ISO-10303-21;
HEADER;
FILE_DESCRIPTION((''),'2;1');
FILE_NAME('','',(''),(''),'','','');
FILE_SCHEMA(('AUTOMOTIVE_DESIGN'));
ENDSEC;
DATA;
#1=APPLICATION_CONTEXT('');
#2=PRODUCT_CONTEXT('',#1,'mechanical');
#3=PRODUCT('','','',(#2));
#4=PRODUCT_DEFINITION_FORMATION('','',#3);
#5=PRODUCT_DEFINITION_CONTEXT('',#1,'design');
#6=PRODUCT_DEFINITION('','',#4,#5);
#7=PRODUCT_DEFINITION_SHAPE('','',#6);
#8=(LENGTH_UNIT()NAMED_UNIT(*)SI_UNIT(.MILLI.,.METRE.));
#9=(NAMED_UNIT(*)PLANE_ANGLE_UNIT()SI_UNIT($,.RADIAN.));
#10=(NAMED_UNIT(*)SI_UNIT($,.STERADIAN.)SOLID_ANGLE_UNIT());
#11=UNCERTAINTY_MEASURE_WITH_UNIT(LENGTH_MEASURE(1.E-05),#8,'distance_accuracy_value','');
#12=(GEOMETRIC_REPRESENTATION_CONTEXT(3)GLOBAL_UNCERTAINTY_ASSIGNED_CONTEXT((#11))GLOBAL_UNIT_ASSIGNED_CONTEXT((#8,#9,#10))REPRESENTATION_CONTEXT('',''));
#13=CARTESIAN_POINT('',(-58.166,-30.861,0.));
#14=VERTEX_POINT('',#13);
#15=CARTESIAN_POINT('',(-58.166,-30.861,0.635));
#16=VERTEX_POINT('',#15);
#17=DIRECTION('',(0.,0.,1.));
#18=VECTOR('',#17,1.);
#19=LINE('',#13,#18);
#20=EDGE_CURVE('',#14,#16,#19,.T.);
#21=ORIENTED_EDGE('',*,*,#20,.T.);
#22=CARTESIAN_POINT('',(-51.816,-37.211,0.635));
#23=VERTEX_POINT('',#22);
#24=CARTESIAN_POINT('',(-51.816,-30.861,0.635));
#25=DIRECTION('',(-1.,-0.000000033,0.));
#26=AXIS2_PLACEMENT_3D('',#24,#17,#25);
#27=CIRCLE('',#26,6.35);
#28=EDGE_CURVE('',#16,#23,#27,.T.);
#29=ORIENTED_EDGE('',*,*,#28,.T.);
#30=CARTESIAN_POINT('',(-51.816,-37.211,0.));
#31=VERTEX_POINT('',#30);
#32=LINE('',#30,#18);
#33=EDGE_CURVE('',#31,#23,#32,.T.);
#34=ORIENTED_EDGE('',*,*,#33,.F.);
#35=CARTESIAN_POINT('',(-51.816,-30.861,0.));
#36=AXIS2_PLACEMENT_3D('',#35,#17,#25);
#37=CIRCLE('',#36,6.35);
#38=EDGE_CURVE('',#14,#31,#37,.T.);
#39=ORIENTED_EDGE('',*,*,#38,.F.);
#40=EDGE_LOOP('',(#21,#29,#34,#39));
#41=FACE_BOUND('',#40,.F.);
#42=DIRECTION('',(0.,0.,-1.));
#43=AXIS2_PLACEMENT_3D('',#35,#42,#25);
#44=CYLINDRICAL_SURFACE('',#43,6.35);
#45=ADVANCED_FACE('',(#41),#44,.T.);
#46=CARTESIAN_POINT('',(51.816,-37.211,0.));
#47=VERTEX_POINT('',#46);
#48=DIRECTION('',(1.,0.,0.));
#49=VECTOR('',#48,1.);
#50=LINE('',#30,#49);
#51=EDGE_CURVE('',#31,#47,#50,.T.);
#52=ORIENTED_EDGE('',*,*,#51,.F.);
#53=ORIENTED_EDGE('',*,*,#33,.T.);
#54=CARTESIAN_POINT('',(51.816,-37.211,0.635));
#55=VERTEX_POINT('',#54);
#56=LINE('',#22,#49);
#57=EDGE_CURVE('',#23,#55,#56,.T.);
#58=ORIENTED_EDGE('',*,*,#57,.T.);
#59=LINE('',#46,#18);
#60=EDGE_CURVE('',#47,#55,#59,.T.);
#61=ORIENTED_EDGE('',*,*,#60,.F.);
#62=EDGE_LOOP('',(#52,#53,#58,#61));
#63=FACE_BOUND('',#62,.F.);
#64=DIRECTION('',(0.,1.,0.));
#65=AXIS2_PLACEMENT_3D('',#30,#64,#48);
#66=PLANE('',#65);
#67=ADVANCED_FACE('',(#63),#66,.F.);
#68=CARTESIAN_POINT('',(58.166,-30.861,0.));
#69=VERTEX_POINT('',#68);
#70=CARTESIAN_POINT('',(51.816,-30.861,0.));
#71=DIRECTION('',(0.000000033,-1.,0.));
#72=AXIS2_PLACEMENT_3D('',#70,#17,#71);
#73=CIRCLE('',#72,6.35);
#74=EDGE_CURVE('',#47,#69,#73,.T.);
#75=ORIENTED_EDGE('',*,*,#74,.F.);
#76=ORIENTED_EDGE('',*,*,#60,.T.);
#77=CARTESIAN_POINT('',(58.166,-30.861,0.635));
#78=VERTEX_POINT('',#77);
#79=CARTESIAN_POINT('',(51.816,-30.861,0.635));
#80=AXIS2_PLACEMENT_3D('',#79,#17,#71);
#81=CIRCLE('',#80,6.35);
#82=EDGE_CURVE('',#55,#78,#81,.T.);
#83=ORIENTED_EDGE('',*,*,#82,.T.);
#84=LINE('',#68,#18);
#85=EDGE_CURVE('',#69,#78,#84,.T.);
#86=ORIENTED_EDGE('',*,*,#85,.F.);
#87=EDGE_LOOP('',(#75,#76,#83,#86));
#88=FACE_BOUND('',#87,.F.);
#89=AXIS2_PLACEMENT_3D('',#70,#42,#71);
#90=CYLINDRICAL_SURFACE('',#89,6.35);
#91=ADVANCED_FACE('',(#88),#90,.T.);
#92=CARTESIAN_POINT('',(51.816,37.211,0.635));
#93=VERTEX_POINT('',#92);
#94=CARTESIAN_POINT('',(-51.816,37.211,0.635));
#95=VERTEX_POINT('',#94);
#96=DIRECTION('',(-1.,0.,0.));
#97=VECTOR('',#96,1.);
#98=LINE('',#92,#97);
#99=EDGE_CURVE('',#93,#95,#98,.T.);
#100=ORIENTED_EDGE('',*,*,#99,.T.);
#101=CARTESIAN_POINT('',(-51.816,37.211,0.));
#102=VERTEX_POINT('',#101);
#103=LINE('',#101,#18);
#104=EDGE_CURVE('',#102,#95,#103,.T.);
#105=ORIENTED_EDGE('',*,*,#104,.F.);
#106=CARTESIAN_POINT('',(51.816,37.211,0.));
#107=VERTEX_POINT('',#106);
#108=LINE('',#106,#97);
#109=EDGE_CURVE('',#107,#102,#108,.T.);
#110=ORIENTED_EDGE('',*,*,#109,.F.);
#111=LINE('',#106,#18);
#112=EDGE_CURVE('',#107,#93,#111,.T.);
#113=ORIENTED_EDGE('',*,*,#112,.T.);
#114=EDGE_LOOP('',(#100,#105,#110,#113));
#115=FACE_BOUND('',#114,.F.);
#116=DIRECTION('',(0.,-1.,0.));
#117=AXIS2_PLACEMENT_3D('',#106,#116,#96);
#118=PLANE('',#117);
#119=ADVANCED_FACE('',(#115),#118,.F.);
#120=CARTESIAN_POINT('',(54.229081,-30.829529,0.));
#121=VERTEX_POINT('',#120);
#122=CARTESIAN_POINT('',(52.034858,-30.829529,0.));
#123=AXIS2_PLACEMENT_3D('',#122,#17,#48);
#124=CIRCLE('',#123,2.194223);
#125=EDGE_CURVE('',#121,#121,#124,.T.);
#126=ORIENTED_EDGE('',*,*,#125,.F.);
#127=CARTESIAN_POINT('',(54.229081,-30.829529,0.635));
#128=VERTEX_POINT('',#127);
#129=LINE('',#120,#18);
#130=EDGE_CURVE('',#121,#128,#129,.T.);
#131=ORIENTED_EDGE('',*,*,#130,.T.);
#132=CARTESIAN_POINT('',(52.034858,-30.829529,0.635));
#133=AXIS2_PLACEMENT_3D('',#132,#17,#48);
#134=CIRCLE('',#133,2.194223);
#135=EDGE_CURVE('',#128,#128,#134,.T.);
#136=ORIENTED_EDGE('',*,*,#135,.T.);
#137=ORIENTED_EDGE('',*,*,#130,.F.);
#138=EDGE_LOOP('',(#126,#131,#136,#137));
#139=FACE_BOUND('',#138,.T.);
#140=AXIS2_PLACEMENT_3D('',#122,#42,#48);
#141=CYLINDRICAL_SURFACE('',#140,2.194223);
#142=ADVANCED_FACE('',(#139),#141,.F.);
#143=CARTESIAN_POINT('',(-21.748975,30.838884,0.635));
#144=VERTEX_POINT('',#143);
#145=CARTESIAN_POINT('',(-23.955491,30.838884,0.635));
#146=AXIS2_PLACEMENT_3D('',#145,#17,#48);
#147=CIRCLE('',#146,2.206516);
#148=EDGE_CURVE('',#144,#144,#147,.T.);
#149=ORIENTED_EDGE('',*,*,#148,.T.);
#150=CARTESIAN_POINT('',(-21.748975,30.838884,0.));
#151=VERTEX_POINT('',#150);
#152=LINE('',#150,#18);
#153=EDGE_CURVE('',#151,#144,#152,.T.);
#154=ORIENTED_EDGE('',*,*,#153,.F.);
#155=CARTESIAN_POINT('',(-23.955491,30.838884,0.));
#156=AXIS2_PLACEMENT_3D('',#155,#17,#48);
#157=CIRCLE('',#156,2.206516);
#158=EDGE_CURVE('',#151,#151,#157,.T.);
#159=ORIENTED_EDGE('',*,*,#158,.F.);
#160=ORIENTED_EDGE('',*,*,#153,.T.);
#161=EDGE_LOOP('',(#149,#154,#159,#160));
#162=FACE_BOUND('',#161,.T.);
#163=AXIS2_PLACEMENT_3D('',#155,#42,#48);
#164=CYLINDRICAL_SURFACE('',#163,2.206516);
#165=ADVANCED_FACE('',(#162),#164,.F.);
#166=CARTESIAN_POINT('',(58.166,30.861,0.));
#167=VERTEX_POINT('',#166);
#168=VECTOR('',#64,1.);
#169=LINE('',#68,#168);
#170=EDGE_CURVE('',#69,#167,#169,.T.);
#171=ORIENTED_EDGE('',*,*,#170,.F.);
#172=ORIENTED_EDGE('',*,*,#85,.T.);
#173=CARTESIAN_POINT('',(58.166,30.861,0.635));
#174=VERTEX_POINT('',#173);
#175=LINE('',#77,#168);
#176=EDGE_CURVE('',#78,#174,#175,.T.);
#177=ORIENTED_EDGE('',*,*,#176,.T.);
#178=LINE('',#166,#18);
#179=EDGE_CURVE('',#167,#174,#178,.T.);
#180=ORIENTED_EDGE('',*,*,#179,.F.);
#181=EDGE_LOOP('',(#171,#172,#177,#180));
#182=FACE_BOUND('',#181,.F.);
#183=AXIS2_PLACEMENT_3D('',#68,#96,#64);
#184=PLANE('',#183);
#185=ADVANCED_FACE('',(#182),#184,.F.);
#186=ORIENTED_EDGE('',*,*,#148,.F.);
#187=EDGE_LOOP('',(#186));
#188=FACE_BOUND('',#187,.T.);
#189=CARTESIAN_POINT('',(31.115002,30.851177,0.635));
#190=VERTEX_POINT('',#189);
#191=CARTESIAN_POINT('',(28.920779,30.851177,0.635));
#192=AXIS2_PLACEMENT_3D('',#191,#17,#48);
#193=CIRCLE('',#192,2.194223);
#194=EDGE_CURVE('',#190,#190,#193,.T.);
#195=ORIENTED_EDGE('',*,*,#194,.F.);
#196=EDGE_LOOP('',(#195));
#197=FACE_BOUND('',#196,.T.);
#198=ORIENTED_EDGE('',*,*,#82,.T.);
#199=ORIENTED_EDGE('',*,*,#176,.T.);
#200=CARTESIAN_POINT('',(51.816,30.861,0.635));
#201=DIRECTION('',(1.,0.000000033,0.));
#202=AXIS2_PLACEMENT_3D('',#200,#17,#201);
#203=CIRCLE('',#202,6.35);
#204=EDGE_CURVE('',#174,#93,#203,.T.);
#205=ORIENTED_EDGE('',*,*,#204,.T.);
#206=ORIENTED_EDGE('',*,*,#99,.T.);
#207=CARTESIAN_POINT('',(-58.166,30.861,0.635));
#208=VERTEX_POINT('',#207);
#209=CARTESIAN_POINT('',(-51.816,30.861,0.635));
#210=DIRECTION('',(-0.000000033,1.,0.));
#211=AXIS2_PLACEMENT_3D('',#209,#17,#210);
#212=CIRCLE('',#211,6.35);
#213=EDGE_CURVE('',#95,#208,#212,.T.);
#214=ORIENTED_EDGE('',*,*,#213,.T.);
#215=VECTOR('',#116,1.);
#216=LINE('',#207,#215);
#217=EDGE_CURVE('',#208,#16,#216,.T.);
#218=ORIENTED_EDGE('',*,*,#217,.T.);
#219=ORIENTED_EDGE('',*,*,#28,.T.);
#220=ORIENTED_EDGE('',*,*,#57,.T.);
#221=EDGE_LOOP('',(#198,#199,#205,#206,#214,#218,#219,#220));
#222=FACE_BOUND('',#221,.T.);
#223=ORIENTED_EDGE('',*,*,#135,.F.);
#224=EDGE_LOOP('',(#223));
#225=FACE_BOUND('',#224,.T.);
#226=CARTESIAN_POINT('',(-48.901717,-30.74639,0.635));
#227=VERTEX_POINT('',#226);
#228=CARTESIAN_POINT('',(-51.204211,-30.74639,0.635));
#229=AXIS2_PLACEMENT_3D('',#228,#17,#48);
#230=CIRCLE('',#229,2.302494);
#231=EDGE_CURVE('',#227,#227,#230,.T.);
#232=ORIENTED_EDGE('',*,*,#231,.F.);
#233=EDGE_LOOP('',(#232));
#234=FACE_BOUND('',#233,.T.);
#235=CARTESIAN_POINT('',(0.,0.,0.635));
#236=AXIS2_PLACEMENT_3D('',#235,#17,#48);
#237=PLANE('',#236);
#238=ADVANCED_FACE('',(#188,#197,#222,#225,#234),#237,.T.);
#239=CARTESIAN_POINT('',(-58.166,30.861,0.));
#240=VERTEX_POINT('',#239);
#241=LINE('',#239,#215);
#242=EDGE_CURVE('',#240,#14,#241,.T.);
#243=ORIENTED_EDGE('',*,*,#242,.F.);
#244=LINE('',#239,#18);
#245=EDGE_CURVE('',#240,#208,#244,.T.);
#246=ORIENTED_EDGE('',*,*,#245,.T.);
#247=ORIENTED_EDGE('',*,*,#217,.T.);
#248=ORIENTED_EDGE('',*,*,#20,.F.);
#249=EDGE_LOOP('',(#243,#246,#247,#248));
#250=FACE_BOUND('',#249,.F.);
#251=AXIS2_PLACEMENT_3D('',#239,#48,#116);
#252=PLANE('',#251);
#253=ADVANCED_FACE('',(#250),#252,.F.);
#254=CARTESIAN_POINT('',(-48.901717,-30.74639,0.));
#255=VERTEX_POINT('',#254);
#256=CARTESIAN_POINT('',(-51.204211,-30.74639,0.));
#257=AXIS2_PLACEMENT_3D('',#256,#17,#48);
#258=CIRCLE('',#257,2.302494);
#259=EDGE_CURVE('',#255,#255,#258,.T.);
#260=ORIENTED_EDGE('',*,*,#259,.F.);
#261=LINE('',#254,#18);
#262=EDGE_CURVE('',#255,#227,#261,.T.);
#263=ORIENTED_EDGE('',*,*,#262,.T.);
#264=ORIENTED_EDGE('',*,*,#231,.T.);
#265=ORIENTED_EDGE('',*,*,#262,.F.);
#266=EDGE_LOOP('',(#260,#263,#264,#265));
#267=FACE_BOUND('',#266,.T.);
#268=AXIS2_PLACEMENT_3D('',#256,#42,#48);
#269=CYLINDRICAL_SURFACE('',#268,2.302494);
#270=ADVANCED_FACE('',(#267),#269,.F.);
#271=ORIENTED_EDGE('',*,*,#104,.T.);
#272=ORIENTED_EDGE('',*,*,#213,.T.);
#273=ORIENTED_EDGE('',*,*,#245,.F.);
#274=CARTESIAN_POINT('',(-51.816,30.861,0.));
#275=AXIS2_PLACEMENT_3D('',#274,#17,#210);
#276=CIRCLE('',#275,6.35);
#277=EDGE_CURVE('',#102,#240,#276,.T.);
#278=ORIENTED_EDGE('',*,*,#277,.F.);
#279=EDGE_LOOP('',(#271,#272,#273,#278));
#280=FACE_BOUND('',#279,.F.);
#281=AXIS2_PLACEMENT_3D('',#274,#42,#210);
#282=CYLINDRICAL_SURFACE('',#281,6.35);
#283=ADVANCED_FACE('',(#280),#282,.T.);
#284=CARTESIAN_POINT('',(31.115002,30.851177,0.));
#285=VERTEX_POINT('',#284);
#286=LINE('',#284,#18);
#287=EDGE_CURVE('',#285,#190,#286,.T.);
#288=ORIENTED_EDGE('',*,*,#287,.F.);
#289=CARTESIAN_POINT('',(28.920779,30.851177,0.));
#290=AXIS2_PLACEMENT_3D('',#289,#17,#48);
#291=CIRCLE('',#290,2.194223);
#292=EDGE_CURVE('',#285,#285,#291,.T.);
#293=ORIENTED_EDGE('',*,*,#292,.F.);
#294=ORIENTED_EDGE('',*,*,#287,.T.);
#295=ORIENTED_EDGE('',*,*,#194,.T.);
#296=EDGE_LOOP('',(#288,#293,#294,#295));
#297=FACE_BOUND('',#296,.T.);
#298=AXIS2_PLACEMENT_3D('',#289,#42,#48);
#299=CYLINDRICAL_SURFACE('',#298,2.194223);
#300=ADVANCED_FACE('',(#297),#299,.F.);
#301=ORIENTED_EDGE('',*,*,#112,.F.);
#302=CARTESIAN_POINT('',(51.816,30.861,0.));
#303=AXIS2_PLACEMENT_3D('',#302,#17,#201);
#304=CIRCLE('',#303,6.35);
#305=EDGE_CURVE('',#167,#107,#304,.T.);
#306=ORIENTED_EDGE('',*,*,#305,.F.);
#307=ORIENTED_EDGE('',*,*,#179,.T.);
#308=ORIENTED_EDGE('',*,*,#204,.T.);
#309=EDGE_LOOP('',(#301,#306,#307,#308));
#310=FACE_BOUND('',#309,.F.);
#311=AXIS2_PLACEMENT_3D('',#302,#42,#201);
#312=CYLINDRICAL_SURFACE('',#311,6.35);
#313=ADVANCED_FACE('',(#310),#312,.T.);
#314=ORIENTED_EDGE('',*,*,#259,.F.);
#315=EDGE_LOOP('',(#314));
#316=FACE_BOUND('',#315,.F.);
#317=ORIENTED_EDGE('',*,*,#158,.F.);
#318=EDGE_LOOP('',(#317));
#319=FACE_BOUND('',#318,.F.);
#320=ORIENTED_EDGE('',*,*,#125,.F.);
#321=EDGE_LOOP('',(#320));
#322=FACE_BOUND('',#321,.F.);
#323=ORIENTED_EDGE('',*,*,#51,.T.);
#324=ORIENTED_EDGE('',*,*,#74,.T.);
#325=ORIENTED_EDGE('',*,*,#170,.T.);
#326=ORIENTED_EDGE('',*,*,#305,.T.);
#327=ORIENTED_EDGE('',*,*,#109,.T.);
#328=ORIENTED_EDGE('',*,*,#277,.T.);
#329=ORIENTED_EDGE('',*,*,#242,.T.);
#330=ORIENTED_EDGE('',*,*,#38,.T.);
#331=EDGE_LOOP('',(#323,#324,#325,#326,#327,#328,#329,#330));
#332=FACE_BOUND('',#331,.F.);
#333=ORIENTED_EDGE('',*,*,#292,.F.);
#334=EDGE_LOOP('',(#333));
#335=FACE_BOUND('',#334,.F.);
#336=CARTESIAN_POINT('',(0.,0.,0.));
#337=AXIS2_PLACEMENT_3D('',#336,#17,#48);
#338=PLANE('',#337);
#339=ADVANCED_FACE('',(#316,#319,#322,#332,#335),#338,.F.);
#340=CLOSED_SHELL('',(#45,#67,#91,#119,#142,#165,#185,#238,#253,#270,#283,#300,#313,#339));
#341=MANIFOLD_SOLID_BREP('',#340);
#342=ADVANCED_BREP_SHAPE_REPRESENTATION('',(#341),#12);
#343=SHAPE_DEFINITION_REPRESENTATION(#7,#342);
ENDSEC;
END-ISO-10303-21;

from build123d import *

# Parameters (mm, degrees)
F0_R     = 2.302494
F0_R_2   = 2.194223
F0_R_3   = 2.206516
F1_DEPTH = 0.635


with BuildPart() as f1:
    # F0 (on Top) → F1 (new body)
    with BuildSketch(Plane.XY):
        with BuildLine():
            Line((51.816, 37.211), (-51.816, 37.211))
            ThreePointArc((-51.816, 37.211), (-56.306128, 35.351128), (-58.166, 30.861))
            Line((-58.166, 30.861), (-58.166, -30.861))
            ThreePointArc((-58.166, -30.861), (-56.306128, -35.351128), (-51.816, -37.211))
            Line((-51.816, -37.211), (51.816, -37.211))
            ThreePointArc((51.816, -37.211), (56.306128, -35.351128), (58.166, -30.861))
            Line((58.166, -30.861), (58.166, 30.861))
            ThreePointArc((58.166, 30.861), (56.306128, 35.351128), (51.816, 37.211))
        make_face()
        with Locations((-51.204211, -30.74639)):
            Circle(F0_R, mode=Mode.SUBTRACT)
        with Locations((52.034858, -30.829529)):
            Circle(F0_R_2, mode=Mode.SUBTRACT)
        with Locations((-23.955491, 30.838884)):
            Circle(F0_R_3, mode=Mode.SUBTRACT)
        with Locations((28.920779, 30.851177)):
            Circle(F0_R_2, mode=Mode.SUBTRACT)
    extrude(amount=F1_DEPTH)


solid = f1.part
